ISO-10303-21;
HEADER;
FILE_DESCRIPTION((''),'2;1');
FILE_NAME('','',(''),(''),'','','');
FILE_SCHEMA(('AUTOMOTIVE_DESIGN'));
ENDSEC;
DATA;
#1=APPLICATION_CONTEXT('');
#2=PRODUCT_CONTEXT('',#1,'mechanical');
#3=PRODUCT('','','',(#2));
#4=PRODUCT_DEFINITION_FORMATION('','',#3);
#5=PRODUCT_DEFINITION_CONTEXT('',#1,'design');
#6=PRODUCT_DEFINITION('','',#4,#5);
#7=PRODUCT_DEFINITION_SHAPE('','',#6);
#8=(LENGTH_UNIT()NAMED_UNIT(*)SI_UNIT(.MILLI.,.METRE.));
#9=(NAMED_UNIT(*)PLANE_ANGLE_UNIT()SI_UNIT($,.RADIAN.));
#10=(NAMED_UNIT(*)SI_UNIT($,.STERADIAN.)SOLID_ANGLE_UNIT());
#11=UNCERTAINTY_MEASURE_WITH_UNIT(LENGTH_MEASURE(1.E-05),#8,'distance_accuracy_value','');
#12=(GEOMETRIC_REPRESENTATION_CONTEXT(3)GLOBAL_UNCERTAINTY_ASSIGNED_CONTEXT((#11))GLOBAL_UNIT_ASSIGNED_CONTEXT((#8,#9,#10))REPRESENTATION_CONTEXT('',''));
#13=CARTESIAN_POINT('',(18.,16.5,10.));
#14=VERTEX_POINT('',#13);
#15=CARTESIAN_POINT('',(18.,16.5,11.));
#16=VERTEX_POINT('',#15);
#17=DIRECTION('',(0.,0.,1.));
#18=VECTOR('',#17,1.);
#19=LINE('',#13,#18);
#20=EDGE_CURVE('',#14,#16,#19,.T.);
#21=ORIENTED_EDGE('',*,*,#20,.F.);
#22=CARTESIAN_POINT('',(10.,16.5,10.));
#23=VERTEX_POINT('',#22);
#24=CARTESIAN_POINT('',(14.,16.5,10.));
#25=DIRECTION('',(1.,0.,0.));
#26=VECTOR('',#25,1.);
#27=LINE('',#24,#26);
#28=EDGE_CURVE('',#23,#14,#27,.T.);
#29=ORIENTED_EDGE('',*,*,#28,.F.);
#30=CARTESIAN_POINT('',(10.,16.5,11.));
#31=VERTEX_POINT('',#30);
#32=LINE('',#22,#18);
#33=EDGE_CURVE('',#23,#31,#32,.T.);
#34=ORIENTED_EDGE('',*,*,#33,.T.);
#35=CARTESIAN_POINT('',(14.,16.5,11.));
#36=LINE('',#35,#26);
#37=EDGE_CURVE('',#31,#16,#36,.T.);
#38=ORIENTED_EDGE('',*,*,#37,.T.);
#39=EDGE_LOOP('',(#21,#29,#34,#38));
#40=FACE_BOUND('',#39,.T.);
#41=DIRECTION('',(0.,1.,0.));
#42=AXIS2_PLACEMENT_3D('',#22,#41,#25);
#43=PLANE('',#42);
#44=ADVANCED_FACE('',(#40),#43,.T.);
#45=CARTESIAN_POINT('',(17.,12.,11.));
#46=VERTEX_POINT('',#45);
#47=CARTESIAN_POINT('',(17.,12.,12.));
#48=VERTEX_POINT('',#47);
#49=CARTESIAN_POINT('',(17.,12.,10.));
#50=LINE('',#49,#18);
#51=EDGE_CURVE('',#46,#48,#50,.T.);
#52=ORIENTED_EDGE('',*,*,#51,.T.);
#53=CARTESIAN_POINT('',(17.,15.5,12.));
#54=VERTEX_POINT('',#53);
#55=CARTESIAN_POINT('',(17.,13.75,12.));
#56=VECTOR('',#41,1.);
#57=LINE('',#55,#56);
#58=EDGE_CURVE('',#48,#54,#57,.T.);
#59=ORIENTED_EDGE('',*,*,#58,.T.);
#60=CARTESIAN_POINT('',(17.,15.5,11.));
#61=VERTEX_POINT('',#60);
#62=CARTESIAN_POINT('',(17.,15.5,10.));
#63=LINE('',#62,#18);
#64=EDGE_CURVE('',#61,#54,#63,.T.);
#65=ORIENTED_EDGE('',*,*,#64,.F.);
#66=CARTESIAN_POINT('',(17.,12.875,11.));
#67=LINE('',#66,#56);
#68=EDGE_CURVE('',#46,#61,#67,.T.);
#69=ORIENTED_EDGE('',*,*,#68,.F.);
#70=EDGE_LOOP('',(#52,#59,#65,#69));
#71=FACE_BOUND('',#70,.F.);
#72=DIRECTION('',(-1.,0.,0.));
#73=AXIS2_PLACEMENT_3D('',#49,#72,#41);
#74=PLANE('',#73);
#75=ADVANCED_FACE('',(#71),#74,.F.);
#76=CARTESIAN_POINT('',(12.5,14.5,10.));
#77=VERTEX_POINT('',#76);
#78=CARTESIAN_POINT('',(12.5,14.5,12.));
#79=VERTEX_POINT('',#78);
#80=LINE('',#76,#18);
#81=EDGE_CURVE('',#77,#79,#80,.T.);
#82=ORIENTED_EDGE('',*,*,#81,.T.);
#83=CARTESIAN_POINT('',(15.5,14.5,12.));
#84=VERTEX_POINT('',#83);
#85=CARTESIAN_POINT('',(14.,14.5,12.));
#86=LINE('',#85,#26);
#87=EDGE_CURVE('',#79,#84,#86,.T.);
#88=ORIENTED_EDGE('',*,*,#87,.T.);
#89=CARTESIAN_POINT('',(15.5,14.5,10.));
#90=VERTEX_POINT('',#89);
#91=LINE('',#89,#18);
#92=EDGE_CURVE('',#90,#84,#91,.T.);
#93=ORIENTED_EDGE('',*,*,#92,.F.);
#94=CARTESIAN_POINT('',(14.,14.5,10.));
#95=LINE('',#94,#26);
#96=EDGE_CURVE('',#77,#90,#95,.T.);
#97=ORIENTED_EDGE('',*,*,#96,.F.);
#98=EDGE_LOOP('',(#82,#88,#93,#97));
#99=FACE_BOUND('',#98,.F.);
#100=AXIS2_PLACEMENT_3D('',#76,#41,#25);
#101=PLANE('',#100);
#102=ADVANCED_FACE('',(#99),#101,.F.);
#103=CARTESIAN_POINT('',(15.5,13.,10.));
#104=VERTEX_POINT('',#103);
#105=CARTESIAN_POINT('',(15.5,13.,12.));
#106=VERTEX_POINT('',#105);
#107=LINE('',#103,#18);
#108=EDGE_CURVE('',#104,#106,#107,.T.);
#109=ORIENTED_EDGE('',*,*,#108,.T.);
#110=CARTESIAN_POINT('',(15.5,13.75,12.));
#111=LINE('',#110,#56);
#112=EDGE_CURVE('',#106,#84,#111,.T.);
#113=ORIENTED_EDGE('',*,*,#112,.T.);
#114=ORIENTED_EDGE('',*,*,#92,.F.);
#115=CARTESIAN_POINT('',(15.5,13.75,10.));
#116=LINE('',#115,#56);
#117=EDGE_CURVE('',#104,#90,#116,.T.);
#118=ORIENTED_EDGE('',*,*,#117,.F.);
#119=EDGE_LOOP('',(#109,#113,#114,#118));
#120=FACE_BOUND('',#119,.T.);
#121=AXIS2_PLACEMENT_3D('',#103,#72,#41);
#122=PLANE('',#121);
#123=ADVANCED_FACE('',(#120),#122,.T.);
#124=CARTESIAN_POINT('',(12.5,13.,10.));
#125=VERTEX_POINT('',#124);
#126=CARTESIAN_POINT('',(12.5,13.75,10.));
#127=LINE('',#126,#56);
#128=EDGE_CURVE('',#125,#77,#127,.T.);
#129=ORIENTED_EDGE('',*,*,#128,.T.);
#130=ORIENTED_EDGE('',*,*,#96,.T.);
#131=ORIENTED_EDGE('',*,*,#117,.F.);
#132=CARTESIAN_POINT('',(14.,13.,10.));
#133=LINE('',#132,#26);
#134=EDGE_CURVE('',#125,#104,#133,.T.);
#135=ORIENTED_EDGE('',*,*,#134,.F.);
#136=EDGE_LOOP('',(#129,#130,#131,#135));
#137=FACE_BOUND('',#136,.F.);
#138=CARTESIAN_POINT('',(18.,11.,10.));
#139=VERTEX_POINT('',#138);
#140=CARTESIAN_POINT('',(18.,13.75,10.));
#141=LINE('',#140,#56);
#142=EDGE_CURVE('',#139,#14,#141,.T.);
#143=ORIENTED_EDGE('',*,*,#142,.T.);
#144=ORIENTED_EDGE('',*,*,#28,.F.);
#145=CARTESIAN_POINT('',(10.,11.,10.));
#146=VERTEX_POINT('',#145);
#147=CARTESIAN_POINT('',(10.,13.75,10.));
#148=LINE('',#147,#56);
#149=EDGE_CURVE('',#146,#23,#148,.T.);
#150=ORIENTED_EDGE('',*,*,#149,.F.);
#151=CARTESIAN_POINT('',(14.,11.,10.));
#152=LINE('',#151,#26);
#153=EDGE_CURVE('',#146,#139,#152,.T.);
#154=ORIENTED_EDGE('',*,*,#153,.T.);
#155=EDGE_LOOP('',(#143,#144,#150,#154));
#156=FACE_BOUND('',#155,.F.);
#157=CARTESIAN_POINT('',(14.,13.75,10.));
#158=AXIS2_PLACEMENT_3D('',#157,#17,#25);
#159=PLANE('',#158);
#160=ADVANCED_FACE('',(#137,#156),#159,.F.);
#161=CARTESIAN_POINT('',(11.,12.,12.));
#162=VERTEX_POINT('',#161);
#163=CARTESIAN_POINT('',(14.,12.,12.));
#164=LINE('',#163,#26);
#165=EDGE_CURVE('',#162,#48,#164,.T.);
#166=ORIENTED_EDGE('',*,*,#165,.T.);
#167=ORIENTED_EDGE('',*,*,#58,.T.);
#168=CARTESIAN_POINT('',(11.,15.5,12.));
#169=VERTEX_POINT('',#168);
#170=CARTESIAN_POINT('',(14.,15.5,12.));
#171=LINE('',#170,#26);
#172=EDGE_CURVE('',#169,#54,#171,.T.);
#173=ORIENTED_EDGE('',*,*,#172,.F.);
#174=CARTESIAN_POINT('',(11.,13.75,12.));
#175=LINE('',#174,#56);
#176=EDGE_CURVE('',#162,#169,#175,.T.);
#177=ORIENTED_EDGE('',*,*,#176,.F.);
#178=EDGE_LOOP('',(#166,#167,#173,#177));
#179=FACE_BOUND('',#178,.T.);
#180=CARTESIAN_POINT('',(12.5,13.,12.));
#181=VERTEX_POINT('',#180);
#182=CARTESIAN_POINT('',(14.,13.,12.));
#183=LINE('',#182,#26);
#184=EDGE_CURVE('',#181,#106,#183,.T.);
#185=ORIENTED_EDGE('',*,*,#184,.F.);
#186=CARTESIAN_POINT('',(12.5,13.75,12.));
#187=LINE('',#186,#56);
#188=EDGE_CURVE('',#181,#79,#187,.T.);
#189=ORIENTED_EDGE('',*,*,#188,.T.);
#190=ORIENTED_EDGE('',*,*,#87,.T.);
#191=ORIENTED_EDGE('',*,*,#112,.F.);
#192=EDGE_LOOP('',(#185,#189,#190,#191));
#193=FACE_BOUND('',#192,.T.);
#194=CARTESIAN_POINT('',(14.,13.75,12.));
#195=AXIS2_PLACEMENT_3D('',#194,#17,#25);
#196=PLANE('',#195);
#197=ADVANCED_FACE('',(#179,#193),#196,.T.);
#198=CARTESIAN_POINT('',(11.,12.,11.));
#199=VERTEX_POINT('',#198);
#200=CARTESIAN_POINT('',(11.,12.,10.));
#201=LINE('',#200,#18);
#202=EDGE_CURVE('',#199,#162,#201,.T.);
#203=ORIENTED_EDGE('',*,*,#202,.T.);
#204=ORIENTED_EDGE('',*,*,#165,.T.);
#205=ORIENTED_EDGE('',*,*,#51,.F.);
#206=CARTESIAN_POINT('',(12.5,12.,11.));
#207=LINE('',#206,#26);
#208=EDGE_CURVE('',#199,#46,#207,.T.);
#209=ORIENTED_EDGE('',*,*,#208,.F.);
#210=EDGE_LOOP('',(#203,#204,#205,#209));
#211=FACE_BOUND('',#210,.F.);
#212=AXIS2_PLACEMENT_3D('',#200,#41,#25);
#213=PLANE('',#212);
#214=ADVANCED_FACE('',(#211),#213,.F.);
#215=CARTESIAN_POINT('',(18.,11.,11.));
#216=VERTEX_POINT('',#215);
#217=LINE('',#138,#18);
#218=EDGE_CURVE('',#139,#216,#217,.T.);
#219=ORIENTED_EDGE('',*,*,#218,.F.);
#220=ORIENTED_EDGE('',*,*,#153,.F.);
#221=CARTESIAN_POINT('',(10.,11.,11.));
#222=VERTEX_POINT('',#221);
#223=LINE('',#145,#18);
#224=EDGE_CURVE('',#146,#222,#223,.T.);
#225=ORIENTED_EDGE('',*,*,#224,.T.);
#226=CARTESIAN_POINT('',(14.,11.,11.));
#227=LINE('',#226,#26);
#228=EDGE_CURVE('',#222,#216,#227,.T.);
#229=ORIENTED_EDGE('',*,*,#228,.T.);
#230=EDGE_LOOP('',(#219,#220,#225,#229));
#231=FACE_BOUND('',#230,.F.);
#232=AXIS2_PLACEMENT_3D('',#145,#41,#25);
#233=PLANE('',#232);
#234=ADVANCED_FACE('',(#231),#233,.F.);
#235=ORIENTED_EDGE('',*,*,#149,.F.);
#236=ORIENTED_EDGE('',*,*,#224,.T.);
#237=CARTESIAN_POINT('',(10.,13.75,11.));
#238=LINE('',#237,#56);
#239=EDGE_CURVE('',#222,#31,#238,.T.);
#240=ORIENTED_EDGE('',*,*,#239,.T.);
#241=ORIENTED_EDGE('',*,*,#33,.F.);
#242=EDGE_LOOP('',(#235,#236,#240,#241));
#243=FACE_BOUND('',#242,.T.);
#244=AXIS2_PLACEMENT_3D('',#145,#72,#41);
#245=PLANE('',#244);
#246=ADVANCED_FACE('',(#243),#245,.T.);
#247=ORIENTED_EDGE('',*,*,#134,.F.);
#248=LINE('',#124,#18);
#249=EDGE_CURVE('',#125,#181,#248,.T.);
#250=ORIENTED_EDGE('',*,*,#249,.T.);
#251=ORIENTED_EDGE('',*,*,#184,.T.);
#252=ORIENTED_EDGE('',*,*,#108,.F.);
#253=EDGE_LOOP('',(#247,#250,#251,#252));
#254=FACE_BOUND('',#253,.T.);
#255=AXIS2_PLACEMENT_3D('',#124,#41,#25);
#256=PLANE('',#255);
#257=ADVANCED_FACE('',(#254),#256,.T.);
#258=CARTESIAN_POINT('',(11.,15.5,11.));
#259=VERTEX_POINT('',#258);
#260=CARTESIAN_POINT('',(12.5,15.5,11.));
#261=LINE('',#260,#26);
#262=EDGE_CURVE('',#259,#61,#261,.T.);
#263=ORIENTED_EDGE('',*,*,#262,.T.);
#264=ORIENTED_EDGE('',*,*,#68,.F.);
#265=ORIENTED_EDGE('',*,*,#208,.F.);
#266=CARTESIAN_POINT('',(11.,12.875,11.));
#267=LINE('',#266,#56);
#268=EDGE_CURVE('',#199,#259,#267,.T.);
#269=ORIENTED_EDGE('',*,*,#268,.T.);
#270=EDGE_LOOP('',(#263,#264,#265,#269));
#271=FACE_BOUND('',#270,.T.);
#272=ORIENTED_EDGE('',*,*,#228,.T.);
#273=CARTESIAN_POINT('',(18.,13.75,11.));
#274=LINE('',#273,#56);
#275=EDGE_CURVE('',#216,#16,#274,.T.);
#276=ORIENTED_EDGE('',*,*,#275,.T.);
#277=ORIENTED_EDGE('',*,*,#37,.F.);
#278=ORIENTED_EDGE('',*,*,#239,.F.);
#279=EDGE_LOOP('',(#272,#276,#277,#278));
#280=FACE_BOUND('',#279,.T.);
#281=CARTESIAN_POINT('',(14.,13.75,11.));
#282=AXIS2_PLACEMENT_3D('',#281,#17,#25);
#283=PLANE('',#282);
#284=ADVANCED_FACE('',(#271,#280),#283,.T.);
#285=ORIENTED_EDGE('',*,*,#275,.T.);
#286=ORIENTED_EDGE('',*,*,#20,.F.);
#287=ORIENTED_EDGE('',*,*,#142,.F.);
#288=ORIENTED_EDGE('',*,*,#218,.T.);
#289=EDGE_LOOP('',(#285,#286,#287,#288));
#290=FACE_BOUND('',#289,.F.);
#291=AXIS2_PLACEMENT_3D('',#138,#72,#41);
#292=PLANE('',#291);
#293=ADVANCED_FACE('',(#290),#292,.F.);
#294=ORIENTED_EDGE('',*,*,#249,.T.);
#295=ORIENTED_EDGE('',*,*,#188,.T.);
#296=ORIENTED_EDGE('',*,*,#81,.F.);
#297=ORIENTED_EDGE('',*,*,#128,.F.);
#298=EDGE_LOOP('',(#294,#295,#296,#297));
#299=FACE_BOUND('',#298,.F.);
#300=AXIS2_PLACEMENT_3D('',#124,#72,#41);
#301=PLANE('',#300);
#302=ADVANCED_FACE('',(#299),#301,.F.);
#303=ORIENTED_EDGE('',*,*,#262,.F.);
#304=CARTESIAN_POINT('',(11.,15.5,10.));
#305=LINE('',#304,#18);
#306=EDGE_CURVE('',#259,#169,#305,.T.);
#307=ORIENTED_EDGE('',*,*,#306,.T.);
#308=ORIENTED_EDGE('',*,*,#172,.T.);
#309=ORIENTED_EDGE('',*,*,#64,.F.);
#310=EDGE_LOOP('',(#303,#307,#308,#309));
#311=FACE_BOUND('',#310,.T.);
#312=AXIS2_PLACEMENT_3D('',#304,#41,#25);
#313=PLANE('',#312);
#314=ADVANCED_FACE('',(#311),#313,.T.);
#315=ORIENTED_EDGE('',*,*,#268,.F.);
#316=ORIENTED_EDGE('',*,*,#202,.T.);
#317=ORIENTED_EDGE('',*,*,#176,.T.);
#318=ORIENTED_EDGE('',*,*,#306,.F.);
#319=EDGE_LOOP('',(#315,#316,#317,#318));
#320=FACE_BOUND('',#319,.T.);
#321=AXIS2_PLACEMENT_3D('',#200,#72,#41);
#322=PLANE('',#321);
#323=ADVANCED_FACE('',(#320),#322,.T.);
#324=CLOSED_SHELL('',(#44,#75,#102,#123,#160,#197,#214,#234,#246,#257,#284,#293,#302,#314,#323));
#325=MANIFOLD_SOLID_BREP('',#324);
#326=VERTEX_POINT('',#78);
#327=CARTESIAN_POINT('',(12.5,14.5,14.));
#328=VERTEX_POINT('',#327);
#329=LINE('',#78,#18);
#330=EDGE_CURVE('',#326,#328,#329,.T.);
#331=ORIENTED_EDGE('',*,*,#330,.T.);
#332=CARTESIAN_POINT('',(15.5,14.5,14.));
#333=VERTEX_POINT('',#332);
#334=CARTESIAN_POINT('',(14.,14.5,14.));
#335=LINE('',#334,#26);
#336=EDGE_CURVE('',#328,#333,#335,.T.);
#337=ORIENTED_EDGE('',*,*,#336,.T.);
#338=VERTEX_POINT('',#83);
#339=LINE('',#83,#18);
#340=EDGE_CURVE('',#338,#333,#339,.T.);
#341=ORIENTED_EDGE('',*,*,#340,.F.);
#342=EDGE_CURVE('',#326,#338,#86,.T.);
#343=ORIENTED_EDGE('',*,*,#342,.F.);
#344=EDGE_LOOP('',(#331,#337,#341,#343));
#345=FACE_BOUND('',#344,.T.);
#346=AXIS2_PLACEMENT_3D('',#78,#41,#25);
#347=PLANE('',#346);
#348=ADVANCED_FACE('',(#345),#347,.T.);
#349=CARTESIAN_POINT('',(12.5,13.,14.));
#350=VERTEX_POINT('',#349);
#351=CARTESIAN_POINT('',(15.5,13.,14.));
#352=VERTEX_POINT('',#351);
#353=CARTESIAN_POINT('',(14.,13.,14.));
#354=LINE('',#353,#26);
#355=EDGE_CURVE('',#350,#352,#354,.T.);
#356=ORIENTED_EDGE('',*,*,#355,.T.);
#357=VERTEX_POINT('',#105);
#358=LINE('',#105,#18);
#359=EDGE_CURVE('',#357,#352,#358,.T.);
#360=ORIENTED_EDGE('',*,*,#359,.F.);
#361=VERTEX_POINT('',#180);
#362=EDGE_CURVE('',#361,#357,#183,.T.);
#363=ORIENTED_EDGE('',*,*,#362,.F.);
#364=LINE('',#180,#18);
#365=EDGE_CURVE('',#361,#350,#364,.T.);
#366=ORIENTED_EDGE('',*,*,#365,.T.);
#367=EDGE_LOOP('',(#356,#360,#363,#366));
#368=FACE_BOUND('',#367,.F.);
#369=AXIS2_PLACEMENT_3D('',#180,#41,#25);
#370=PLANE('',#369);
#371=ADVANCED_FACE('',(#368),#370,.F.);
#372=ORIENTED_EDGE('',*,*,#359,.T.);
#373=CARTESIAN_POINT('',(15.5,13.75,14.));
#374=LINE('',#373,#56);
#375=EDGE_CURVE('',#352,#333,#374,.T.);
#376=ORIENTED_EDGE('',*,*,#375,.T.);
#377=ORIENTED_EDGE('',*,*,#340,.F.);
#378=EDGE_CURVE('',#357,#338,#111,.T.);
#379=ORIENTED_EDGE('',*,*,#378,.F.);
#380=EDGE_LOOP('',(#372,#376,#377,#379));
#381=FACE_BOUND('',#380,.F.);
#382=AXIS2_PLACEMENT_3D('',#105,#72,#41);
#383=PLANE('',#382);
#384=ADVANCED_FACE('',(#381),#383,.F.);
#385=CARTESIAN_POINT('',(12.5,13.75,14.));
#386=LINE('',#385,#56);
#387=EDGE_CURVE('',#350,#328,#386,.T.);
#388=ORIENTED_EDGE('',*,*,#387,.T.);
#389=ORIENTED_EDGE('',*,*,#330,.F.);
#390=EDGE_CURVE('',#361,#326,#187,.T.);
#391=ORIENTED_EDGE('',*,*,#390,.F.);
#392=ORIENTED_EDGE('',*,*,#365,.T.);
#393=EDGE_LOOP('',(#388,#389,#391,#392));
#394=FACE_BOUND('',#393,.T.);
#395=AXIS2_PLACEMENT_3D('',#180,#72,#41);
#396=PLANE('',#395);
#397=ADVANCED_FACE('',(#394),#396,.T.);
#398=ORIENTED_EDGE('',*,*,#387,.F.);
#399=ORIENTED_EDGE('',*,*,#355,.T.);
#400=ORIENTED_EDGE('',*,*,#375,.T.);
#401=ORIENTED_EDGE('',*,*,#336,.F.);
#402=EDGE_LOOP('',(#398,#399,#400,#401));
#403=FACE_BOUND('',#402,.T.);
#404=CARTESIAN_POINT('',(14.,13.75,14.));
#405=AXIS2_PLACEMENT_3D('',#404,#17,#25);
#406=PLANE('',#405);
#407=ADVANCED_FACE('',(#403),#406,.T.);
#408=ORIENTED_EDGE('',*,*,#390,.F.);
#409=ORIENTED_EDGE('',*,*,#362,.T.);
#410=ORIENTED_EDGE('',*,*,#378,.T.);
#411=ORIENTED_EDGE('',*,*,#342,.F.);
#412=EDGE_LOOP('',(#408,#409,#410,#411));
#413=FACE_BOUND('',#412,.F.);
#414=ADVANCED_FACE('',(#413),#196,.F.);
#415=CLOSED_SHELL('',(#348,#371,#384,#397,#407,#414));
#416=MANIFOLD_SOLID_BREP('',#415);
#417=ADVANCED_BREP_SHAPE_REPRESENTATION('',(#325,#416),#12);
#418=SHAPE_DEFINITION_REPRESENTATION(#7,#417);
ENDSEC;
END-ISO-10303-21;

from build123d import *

# Parameters (mm, degrees)
BOX008_W     = 3
BOX008_H     = 1.5
BOX008_DEPTH = 2
BOX006_W     = 8
BOX006_H     = 5.5
BOX006_DEPTH = 1
BOX007_W     = 3
BOX007_H     = 1.5
BOX007_DEPTH = 2
BOX005_W     = 6
BOX005_H     = 3.5
BOX005_DEPTH = 2


with BuildPart() as cube006:
    # Box008 → Box008 (new body)
    with BuildSketch(Plane(origin=(12.5, 13, 10), x_dir=(1, 0, 0), z_dir=(0, 0, 1))):
        with Locations((1.5, 0.75)):
            Rectangle(BOX008_W, BOX008_H)
    extrude(amount=BOX008_DEPTH)


with BuildPart() as cube004:
    # Box006 → Box006 (new body)
    with BuildSketch(Plane(origin=(10, 11, 10), x_dir=(1, 0, 0), z_dir=(0, 0, 1))):
        with Locations((4, 2.75)):
            Rectangle(BOX006_W, BOX006_H)
    extrude(amount=BOX006_DEPTH)


with BuildPart() as cube005:
    # Box007 → Box007 (new body)
    with BuildSketch(Plane(origin=(12.5, 13, 12), x_dir=(1, 0, 0), z_dir=(0, 0, 1))):
        with Locations((1.5, 0.75)):
            Rectangle(BOX007_W, BOX007_H)
    extrude(amount=BOX007_DEPTH)


with BuildPart() as membrane_sw001:
    # Box005 → Box005 (new body)
    with BuildSketch(Plane(origin=(11, 12, 10), x_dir=(1, 0, 0), z_dir=(0, 0, 1))):
        with Locations((3, 1.75)):
            Rectangle(BOX005_W, BOX005_H)
    extrude(amount=BOX005_DEPTH)

    # Fusion001: union Cube004, Cube005
    add(cube004.part)
    add(cube005.part)

    # Cut001: cut Cube006
    add(cube006.part, mode=Mode.SUBTRACT)


solid = membrane_sw001.part
